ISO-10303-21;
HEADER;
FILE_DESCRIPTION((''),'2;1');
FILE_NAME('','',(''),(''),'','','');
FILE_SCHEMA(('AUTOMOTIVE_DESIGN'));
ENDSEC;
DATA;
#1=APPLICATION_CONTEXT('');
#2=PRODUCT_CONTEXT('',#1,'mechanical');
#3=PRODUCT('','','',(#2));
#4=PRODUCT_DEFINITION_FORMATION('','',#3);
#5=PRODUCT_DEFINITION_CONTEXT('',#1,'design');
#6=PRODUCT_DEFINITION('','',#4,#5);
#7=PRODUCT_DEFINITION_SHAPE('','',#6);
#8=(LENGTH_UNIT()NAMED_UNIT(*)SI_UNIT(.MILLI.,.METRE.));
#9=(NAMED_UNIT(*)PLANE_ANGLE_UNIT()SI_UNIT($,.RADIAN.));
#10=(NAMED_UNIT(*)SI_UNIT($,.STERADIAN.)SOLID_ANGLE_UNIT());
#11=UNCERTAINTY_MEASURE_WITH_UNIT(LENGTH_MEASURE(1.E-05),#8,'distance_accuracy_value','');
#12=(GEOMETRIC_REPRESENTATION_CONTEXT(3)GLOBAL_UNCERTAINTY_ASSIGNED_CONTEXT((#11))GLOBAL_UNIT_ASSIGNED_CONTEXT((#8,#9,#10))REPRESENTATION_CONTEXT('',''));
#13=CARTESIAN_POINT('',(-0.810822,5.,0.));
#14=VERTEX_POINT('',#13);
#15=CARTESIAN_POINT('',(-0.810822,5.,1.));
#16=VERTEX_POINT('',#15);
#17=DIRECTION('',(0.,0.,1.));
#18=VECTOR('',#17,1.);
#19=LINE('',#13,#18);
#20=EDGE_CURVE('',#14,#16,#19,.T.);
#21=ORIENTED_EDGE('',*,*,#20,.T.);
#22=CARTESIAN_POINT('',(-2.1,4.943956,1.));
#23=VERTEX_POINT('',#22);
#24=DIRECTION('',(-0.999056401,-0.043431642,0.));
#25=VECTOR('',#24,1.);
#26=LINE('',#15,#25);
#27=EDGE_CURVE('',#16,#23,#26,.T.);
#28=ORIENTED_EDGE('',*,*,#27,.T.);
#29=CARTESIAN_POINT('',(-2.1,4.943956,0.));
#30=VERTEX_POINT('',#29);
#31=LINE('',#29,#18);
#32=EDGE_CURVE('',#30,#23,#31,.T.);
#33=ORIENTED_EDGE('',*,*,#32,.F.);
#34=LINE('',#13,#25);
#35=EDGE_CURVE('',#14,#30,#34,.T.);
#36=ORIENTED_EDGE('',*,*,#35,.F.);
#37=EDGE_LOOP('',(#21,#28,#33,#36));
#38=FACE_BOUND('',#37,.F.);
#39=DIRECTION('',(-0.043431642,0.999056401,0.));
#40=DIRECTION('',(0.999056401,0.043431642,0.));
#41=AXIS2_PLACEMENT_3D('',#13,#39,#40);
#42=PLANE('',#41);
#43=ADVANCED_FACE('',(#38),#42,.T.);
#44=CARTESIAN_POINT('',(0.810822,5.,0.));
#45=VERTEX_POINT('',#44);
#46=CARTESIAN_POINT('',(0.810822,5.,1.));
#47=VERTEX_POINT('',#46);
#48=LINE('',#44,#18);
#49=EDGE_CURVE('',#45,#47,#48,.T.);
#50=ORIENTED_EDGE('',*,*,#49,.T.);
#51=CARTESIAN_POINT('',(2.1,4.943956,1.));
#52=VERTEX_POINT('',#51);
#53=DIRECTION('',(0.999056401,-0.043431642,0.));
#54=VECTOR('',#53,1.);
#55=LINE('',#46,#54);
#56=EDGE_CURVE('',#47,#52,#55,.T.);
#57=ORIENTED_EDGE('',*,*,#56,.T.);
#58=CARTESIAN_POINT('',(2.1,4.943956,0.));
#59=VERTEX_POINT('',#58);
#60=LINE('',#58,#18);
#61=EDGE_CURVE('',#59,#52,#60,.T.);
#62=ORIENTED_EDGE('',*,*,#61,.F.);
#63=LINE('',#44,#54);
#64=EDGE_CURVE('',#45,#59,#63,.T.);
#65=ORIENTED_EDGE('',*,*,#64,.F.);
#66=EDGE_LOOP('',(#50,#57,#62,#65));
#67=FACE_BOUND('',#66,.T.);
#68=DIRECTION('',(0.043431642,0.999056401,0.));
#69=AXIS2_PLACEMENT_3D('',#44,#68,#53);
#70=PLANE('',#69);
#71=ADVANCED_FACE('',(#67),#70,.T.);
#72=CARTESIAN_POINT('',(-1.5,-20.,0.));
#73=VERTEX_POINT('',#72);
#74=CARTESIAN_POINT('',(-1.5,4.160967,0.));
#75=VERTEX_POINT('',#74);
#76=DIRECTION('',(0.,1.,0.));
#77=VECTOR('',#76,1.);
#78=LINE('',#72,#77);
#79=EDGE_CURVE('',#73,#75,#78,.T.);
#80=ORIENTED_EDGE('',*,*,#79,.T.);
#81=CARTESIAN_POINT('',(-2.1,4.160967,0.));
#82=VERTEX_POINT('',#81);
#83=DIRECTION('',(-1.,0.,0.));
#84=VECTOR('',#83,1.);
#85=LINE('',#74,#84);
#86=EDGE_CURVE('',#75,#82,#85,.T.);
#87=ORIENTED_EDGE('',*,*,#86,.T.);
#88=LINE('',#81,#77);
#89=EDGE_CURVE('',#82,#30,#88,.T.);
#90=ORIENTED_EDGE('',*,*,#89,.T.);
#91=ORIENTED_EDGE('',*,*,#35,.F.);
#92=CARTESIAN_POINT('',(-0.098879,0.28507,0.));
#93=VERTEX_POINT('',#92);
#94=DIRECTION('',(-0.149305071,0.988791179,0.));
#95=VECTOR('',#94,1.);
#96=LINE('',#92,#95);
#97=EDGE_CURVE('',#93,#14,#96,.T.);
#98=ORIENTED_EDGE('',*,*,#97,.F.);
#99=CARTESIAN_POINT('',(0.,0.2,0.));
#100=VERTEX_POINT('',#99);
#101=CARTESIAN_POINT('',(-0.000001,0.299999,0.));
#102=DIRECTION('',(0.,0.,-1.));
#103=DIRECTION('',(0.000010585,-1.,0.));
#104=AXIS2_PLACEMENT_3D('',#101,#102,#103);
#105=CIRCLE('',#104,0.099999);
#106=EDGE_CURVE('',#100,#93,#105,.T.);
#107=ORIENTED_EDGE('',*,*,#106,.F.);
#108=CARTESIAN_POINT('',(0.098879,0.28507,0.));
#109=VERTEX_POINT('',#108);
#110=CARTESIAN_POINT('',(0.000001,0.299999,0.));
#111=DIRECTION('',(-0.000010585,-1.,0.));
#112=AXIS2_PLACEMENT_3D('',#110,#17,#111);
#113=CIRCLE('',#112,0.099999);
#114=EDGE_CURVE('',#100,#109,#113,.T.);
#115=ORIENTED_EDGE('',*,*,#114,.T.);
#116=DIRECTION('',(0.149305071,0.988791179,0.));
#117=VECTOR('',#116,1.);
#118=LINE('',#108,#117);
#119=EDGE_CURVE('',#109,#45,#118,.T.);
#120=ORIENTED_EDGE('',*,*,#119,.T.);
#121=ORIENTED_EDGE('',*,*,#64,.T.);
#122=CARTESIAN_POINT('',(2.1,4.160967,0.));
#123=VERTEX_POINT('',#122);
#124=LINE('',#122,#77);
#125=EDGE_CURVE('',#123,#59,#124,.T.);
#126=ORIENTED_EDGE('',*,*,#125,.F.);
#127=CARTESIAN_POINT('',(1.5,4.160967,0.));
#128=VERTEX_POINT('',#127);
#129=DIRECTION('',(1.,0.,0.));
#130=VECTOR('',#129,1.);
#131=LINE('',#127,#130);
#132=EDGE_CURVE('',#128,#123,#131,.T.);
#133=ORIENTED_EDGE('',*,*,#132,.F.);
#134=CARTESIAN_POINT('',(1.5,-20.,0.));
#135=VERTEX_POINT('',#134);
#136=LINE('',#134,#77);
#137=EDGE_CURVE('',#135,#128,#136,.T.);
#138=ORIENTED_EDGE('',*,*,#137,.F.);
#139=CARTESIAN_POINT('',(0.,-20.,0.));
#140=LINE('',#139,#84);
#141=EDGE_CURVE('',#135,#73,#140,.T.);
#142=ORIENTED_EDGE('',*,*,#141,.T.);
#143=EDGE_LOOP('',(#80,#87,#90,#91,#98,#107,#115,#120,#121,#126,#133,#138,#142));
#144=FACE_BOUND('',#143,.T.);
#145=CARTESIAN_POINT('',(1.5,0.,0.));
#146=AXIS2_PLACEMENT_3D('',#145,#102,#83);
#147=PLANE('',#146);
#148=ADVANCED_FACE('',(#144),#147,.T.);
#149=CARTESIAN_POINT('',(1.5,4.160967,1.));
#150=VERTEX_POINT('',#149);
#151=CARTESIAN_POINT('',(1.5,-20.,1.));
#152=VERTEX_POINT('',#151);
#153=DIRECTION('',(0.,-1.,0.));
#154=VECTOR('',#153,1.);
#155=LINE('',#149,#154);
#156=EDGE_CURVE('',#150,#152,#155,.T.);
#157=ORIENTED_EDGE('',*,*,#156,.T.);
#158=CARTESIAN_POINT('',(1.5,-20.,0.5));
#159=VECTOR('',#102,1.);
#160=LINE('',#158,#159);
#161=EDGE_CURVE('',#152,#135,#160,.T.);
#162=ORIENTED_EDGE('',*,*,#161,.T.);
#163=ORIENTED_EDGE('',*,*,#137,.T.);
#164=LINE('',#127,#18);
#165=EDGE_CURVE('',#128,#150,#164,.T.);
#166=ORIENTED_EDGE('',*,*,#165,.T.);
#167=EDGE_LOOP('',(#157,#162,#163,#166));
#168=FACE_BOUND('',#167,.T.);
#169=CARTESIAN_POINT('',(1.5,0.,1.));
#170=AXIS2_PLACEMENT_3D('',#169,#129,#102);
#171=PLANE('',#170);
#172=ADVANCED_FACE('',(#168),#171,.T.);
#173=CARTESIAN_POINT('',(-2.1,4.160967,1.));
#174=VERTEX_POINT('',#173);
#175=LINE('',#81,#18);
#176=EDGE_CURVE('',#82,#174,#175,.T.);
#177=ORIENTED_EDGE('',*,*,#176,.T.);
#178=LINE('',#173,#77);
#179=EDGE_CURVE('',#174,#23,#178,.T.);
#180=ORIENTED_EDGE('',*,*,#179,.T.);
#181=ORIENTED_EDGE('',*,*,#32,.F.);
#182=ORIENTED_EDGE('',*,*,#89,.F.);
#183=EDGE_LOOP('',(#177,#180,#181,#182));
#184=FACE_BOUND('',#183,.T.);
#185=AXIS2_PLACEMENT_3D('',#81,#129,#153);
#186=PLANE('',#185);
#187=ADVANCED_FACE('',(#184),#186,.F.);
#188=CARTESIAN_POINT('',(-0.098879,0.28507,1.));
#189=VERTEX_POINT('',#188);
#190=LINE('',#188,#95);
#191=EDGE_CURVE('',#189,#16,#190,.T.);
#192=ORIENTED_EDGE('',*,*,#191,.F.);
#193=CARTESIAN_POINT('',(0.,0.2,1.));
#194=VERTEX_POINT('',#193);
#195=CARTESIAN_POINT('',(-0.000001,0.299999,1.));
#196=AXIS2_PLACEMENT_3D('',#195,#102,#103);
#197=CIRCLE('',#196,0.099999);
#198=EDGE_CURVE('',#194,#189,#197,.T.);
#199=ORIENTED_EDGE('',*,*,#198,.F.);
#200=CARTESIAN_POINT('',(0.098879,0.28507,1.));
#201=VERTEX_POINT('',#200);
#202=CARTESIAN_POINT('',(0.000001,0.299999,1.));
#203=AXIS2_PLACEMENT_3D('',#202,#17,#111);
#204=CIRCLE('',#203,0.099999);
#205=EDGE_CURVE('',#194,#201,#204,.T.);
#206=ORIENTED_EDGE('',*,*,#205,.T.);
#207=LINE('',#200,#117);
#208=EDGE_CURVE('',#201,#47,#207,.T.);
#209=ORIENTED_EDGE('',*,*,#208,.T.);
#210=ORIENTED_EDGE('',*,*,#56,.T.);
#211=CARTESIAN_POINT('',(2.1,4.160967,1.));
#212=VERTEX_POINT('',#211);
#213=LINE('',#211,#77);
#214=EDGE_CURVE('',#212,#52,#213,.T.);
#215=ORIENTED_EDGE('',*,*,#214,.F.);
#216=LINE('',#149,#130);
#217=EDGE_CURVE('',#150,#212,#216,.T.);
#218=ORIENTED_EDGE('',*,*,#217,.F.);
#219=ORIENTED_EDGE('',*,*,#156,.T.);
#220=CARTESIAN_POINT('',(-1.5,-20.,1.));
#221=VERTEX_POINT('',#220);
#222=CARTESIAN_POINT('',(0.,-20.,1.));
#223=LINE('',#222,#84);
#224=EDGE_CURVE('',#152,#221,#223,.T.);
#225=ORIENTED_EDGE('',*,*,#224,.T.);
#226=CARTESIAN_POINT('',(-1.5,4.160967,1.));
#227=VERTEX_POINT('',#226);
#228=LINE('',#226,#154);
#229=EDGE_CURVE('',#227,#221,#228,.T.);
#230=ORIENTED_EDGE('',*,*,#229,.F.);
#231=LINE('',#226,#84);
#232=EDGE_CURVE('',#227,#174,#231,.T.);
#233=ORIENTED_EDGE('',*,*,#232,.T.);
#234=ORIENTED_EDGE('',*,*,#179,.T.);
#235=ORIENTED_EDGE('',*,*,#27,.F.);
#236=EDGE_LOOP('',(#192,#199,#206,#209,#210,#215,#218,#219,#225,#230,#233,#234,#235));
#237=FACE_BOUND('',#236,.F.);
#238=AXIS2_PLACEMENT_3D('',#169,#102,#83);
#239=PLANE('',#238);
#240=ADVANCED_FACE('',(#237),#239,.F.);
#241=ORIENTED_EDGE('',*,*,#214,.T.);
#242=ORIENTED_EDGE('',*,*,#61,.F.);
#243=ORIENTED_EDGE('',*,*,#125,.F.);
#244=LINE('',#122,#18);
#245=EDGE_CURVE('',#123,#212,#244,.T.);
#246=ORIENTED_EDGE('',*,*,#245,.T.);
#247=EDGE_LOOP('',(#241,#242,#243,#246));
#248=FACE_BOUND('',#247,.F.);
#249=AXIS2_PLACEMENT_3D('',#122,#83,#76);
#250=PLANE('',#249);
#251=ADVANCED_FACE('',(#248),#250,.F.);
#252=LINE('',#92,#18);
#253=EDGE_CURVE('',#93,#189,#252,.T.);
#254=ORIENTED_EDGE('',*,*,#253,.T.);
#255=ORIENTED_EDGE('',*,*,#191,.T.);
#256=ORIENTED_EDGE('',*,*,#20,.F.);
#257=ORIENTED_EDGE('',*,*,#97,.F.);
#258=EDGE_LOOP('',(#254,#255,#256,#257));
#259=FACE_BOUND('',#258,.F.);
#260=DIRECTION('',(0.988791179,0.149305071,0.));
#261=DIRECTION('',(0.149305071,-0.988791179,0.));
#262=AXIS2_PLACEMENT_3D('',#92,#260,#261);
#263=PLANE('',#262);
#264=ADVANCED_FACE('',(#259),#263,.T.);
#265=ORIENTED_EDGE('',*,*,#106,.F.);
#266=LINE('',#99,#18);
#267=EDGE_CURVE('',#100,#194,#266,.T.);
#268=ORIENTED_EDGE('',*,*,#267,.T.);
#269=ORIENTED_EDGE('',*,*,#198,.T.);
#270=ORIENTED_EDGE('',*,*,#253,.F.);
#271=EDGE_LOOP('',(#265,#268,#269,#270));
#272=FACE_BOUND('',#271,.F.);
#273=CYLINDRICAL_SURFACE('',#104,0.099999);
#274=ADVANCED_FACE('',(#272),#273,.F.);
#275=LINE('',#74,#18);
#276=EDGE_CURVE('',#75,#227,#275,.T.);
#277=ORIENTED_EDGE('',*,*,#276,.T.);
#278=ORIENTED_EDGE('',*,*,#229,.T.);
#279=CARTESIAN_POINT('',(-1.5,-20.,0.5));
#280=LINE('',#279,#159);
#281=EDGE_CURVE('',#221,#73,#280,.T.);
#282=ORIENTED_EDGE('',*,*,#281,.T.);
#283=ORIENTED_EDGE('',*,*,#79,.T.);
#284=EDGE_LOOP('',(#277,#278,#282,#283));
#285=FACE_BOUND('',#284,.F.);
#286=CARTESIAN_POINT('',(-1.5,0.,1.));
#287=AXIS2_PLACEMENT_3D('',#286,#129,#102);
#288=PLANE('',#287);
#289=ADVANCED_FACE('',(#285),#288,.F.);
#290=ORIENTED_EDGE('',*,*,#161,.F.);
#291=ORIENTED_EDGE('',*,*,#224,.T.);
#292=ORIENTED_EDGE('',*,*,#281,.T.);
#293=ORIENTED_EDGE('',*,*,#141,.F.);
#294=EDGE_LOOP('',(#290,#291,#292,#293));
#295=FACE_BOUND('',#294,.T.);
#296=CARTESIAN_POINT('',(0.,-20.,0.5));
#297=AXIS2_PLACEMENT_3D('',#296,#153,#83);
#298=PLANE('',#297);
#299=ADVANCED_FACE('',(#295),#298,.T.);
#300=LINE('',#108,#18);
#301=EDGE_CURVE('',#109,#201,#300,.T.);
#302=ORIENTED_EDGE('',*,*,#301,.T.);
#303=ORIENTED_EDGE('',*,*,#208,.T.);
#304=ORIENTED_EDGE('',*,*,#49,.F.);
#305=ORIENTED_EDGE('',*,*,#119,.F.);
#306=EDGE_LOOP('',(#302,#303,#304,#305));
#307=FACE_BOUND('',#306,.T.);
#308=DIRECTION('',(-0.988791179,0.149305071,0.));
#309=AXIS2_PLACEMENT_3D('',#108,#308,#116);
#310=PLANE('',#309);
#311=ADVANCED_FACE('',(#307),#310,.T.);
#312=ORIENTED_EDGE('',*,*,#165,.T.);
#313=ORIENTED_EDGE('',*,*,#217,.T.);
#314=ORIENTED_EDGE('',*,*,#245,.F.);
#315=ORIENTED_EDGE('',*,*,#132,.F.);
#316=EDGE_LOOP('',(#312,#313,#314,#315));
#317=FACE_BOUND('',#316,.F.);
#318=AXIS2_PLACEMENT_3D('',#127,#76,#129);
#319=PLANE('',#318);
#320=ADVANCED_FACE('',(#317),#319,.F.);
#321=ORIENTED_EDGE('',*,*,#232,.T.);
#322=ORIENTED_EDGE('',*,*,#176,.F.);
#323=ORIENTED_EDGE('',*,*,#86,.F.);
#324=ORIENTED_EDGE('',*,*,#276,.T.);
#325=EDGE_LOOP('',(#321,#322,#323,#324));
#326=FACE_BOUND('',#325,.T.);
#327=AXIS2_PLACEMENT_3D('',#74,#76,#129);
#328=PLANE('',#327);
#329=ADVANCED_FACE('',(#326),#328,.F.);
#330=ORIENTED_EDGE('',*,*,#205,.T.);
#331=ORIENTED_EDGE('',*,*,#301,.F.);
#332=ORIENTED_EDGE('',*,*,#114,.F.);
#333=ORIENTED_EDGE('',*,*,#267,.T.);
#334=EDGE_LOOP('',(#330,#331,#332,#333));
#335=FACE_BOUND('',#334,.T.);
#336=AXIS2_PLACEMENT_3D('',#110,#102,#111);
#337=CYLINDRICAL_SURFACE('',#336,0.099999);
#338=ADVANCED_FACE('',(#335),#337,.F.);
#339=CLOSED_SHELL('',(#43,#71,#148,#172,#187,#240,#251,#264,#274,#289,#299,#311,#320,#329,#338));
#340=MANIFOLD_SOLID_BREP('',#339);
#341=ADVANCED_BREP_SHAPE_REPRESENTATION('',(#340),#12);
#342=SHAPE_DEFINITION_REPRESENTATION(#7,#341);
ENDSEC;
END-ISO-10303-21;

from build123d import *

# Parameters (mm, degrees)
PAD003_DEPTH        = 1
MIRRORED005_FACE6_W = 3
MIRRORED005_FACE6_H = 1
PAD004_DEPTH        = 20


with BuildPart() as part:
    # Sketch006 → Pad003 (new body)
    with BuildSketch(Plane.XY):
        with BuildLine():
            Line((0, 0), (1.5, 0))
            Line((1.5, 0), (1.5, 4.160967))
            Line((1.5, 4.160967), (2.1, 4.160967))
            Line((2.1, 4.160967), (2.1, 4.943956))
            Line((0.810822, 5), (2.1, 4.943956))
            Line((0.098879, 0.28507), (0.810822, 5))
            ThreePointArc((0, 0.2), (0.065219, 0.224194), (0.098879, 0.28507))
            Line((0, 0), (0, 0.2))
        make_face()
    pad003 = extrude(amount=PAD003_DEPTH)

    # Mirrored005: Pad003 across Sketch006 V_Axis
    add(pad003.mirror(Plane(origin=(0, 0, 0), x_dir=(0, 0, 1), z_dir=(1, 0, 0))))

    # Mirrored005 Face6 → Pad004 (add)
    with BuildSketch(Plane(origin=(0, 0, 0.5), x_dir=(-1, 0, 0), z_dir=(0, -1, 0))):
        Rectangle(MIRRORED005_FACE6_W, MIRRORED005_FACE6_H)
    extrude(amount=PAD004_DEPTH)


solid = part.part
